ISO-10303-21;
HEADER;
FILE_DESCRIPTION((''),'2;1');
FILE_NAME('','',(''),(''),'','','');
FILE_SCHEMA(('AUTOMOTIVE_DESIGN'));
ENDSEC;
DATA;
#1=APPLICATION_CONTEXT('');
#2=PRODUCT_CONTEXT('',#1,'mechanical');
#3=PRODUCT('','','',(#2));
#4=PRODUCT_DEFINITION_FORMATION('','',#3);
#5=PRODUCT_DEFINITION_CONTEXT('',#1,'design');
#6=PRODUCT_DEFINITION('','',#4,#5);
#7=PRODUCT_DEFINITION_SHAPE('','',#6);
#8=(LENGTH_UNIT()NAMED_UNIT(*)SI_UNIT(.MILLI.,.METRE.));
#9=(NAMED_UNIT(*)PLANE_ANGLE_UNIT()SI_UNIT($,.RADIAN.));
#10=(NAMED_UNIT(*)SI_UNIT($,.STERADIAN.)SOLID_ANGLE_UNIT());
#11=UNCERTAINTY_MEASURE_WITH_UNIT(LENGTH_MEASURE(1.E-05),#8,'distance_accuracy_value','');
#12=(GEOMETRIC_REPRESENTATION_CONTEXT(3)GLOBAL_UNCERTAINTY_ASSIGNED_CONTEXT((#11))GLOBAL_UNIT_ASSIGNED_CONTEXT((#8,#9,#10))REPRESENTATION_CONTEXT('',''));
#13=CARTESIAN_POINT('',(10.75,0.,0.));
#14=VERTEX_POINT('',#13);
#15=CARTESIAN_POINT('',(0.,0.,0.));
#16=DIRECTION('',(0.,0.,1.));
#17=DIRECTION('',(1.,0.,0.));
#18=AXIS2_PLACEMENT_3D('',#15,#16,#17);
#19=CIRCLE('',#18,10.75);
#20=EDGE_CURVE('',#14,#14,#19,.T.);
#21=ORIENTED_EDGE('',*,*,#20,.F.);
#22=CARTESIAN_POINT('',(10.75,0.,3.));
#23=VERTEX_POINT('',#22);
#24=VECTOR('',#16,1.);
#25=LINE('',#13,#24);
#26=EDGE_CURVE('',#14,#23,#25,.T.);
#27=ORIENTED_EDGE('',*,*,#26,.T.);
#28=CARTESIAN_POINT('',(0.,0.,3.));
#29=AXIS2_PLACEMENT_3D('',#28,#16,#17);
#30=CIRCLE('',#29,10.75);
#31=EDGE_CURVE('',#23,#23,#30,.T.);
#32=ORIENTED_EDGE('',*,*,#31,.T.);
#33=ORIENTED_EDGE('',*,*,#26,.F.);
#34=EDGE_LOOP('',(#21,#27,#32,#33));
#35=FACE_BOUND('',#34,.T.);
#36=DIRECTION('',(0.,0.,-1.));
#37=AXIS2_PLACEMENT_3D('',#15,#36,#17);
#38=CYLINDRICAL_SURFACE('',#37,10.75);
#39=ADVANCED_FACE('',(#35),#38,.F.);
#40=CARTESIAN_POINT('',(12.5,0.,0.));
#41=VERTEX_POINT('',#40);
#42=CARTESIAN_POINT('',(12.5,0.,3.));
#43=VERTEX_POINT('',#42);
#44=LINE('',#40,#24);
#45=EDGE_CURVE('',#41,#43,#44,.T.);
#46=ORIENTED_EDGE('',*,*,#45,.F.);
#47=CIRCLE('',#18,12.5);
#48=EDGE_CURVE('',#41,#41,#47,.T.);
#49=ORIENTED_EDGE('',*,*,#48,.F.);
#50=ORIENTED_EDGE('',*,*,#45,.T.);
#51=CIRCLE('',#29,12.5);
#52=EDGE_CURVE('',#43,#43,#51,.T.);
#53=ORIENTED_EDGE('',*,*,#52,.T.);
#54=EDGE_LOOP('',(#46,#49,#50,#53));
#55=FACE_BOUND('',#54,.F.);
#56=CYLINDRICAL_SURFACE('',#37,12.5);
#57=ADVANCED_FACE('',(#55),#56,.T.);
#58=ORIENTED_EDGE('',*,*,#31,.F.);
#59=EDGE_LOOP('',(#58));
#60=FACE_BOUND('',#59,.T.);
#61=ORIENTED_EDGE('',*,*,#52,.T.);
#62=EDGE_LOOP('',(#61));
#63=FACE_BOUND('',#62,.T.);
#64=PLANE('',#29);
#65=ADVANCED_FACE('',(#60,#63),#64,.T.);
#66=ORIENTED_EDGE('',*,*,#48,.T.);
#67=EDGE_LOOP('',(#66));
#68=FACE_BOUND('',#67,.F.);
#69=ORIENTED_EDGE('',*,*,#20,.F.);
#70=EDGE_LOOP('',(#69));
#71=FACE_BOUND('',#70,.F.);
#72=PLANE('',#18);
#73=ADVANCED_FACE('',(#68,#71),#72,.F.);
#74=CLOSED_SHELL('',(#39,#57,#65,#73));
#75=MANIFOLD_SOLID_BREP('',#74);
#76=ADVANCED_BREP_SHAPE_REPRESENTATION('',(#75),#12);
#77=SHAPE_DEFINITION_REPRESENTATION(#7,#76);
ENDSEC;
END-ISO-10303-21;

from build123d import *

# Parameters (mm, degrees)
SKETCH_R   = 12.5
SKETCH_R_2 = 10.75
PAD_DEPTH  = 3


with BuildPart() as part:
    # Sketch → Pad (new body)
    with BuildSketch(Plane.XY):
        Circle(SKETCH_R)
        Circle(SKETCH_R_2, mode=Mode.SUBTRACT)
    extrude(amount=PAD_DEPTH)


solid = part.part
